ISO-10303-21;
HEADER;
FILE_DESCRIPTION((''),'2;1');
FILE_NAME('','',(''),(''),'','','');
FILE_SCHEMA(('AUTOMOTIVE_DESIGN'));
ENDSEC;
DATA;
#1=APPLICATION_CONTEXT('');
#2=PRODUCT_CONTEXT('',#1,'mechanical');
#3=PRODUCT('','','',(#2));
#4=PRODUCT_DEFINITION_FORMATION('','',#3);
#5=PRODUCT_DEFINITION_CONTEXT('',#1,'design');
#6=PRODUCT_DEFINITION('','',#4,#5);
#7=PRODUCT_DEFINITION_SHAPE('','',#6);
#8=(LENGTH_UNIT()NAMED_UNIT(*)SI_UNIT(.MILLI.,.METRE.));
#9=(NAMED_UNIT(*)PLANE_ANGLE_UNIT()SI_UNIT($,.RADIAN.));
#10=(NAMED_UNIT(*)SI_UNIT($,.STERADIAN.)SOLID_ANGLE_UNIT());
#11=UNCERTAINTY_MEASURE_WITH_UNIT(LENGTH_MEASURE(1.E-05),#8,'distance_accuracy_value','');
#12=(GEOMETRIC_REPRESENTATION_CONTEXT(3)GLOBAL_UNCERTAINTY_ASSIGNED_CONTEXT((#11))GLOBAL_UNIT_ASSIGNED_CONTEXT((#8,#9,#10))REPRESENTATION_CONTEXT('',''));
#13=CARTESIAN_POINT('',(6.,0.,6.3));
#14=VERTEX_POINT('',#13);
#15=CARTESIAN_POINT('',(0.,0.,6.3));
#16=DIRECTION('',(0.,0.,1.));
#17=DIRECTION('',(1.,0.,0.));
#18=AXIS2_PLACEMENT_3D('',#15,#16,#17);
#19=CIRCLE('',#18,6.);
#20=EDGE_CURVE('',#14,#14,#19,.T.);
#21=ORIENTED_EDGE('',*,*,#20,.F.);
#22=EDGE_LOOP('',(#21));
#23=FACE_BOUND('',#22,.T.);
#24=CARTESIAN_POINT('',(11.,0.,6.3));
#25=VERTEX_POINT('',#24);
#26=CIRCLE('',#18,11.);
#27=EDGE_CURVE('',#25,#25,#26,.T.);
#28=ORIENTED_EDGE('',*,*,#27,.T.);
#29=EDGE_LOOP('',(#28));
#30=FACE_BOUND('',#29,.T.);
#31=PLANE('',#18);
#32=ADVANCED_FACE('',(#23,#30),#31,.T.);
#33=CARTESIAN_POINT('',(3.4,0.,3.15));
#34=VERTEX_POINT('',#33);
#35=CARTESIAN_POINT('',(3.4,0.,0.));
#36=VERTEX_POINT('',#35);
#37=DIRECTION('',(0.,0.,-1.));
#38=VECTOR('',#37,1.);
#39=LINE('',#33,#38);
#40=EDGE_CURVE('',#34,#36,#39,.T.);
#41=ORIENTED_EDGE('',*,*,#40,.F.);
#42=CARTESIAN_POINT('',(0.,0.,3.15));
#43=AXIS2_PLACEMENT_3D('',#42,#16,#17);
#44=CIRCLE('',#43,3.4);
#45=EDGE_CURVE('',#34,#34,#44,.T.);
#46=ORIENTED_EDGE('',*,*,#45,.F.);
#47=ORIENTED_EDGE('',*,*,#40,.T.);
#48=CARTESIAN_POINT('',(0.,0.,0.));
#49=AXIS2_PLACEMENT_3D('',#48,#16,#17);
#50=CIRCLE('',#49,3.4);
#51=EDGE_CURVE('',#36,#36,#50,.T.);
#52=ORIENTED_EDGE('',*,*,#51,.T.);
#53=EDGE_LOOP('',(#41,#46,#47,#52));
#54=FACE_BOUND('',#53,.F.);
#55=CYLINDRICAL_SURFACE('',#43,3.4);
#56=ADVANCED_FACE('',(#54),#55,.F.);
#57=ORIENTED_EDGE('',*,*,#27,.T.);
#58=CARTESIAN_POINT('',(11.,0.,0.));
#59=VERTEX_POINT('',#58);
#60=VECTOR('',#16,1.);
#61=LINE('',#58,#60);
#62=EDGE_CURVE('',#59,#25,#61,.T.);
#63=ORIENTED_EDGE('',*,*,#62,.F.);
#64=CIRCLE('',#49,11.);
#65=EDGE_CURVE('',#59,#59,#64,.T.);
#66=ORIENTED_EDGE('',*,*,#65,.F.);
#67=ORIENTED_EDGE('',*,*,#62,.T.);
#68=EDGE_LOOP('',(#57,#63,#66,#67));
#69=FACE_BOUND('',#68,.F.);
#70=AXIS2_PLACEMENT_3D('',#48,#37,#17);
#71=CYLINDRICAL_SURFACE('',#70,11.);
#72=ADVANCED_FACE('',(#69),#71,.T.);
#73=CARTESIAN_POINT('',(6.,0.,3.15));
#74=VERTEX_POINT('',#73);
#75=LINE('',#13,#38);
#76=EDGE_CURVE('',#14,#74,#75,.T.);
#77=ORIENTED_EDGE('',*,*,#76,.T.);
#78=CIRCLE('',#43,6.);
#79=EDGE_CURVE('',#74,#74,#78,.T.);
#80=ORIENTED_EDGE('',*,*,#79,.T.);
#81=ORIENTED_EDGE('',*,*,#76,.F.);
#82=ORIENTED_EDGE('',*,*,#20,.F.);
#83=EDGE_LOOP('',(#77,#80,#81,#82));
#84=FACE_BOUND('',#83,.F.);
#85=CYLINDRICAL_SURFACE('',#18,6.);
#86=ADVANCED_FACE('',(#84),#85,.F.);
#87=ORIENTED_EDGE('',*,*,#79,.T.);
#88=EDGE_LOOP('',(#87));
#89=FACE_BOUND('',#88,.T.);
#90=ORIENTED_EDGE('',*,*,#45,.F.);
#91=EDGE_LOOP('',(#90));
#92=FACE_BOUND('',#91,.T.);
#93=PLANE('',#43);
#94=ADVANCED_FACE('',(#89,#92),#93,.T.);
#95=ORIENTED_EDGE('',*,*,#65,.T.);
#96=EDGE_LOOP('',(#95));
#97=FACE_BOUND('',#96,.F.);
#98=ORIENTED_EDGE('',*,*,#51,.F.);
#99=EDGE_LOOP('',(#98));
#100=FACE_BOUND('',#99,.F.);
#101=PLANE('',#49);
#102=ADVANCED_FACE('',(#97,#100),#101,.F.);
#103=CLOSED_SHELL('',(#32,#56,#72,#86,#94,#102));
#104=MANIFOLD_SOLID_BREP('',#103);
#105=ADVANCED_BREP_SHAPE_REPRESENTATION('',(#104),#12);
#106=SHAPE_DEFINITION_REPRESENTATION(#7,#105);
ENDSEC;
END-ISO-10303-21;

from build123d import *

# Parameters (mm, degrees)
F0_R     = 11
F1_DEPTH = 6.3
F2_R     = 6
F3_DEPTH = 3.15
F4_R     = 3.4
F5_DEPTH = 3.151


with BuildPart() as f1:
    # F0 (on Top) → F1 (new body)
    with BuildSketch(Plane.XY):
        Circle(F0_R)
    extrude(amount=F1_DEPTH)

    # F2 (on face) → F3 (cut)
    with BuildSketch(Plane.XY.offset(6.3)):
        Circle(F2_R)
    extrude(amount=-F3_DEPTH, mode=Mode.SUBTRACT)

    # F4 (on face) → F5 (cut, through all)
    with BuildSketch(Plane.XY.offset(3.15)):
        Circle(F4_R)
    extrude(amount=-F5_DEPTH, mode=Mode.SUBTRACT)


solid = f1.part
